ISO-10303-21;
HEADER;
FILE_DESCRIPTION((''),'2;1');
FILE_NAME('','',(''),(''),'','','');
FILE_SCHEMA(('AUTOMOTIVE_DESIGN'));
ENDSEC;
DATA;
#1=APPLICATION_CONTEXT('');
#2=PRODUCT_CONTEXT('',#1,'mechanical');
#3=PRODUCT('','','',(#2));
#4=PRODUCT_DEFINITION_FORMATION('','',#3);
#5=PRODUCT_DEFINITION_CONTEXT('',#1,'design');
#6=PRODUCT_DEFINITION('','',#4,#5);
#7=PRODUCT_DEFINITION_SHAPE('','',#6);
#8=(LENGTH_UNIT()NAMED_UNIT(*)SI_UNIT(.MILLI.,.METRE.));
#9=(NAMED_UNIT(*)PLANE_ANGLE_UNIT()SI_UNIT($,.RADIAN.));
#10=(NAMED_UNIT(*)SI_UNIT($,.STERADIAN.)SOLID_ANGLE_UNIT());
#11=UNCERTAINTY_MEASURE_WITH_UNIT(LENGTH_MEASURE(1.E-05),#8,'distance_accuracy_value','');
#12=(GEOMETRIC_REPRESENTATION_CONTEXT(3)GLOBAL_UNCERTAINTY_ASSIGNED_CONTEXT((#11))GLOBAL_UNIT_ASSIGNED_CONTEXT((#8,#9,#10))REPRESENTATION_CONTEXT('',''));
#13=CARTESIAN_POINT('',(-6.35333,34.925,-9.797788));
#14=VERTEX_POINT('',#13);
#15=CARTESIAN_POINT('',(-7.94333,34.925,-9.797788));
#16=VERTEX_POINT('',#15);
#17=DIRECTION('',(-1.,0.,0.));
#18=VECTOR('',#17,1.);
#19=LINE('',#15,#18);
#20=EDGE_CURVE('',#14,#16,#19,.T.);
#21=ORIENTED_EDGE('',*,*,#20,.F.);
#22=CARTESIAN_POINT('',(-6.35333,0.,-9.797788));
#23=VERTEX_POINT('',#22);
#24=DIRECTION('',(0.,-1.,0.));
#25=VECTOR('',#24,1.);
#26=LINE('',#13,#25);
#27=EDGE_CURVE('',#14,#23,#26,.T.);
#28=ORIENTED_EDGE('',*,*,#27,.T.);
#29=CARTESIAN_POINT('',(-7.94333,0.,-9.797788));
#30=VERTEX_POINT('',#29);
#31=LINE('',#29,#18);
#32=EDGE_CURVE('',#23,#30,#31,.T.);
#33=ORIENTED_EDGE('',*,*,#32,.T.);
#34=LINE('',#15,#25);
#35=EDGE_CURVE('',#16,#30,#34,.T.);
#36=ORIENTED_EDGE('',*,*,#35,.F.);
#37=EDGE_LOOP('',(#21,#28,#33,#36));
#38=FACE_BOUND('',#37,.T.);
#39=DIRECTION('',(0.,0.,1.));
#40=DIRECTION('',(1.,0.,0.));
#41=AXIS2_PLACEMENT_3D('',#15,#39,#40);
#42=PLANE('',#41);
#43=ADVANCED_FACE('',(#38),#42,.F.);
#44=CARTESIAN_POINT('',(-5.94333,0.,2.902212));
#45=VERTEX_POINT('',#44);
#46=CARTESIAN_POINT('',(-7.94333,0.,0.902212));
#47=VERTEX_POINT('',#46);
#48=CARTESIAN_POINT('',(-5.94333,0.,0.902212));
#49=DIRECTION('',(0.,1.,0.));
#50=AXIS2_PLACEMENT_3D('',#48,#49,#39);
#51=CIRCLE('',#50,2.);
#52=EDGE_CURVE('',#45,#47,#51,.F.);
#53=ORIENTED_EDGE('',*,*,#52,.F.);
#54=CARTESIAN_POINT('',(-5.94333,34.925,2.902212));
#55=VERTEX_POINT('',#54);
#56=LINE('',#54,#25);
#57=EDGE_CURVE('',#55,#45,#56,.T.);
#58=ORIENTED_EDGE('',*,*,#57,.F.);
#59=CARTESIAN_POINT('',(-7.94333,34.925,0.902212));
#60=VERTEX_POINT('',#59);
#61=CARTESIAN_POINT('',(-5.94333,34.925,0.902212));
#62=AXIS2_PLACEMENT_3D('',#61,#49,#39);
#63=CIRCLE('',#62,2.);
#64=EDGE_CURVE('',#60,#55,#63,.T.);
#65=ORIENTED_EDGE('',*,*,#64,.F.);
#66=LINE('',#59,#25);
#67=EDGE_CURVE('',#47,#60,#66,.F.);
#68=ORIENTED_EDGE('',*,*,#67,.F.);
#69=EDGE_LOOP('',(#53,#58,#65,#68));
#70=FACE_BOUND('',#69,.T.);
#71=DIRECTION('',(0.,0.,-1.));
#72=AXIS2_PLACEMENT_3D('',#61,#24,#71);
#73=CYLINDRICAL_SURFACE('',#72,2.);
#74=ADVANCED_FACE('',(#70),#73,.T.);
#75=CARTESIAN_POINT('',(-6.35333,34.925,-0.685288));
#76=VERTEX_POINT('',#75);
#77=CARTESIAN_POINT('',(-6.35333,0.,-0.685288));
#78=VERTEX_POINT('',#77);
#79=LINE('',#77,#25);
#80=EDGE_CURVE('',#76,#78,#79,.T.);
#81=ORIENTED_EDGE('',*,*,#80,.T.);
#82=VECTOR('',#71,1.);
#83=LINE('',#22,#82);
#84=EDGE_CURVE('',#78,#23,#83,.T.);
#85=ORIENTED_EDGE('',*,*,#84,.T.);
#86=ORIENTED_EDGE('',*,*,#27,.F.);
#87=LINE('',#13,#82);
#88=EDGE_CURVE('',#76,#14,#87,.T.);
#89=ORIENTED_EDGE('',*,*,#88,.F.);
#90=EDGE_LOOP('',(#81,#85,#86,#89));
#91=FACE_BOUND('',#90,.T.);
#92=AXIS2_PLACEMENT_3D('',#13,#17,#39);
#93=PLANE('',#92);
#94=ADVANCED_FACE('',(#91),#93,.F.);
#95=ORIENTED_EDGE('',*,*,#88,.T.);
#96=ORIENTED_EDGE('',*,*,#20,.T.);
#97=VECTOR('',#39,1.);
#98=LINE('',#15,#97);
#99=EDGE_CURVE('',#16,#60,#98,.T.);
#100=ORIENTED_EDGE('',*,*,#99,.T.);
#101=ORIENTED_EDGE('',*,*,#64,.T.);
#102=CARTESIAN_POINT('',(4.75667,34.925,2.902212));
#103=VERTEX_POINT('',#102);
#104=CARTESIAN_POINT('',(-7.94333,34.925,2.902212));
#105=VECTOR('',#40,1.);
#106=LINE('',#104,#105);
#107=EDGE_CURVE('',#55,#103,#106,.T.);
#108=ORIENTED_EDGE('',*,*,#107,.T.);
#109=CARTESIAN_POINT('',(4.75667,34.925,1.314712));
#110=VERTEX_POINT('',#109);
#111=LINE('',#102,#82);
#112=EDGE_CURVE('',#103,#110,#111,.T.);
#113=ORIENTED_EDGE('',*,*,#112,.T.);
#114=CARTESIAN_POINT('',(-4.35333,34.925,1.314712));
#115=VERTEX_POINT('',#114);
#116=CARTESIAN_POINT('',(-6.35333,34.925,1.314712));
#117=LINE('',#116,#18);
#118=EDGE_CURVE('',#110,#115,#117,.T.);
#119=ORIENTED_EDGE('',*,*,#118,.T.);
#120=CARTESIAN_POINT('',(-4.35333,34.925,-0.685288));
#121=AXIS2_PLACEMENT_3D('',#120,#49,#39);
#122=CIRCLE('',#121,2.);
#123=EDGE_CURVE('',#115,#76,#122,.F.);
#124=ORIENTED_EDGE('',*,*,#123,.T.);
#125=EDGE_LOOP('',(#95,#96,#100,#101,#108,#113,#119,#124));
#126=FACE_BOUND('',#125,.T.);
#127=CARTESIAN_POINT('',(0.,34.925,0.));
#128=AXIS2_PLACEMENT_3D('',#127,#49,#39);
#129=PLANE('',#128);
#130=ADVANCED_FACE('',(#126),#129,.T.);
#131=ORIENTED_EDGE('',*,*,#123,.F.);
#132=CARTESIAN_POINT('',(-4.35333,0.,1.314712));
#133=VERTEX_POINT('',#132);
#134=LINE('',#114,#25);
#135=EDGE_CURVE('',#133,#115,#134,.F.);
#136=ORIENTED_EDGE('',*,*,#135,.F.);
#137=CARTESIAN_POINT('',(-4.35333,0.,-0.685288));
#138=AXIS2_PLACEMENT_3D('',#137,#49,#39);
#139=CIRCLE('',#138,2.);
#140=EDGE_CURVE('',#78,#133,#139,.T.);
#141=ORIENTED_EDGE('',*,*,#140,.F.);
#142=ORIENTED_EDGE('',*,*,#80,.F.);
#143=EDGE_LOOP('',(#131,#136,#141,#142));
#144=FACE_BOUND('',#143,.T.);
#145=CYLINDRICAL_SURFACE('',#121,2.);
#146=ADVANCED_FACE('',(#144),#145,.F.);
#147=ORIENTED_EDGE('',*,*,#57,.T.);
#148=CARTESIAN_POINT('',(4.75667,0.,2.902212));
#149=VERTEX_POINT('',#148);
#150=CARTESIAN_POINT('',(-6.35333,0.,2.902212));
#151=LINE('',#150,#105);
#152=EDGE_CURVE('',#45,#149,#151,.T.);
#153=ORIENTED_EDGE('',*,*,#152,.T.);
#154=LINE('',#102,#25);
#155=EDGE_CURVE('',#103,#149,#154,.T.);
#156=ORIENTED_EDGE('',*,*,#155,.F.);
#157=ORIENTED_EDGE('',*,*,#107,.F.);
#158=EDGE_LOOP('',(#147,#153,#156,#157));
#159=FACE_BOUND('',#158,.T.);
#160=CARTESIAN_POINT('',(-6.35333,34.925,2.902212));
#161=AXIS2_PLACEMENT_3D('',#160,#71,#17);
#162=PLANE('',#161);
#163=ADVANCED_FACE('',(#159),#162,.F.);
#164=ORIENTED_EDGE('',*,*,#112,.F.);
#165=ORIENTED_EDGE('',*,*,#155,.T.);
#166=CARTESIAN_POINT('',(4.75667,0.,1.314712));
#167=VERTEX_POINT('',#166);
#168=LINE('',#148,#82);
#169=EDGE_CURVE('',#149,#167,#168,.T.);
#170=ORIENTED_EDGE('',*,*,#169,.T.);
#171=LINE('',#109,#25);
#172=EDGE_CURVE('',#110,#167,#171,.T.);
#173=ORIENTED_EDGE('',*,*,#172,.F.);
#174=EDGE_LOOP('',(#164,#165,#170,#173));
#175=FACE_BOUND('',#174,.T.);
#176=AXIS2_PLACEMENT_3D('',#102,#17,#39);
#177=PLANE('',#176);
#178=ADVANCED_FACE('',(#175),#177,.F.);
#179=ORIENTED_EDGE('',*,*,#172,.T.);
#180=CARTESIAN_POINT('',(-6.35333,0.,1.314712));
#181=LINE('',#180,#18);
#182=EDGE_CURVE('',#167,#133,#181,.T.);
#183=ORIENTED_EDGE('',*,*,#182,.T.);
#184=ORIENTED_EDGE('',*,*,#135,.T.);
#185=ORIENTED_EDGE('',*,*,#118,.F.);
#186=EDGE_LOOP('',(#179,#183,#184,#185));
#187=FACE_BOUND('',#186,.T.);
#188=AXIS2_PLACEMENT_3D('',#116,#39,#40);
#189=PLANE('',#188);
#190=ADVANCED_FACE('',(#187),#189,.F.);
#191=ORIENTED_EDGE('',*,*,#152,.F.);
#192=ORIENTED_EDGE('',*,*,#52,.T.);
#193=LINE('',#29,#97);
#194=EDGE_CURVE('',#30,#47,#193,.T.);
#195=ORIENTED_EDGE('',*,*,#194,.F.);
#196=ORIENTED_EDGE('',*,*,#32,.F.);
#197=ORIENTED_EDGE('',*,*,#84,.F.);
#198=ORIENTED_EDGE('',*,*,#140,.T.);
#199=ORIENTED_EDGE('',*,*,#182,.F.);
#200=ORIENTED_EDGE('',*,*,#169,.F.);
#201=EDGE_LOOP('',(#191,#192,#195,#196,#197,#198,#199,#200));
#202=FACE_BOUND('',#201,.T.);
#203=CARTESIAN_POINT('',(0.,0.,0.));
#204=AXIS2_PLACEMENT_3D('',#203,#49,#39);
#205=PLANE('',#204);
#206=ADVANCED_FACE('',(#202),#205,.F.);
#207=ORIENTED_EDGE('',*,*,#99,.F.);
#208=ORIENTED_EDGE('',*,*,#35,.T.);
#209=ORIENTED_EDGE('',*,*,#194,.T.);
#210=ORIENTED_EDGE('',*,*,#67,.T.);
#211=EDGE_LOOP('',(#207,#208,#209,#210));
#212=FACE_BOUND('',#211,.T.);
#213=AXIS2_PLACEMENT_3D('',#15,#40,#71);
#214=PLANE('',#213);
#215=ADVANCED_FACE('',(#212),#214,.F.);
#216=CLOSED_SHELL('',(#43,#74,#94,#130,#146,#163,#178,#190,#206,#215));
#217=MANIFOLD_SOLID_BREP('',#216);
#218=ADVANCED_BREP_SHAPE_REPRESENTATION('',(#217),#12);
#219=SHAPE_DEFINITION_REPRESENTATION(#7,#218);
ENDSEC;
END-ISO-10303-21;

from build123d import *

# Parameters (mm, degrees)
BOSS_EXTRUDE1_DEPTH = 34.925
FILLET1_R           = 2
FILLET2_R           = 2


with BuildPart() as part:
    # Sketch1 → Boss-Extrude1 (new body)
    with BuildSketch(Plane(origin=(0, 0, 0), x_dir=(1, 0, 0), z_dir=(0, 1, 0))):
        Polygon((-7.943330105, 9.7977882), (-6.353330105, 9.7977882), (-6.353330105, -1.3147118), (4.756669895, -1.3147118), (4.756669895, -2.9022118), (-6.353330105, -2.9022118), (-7.943330105, -2.9022118), align=None)
    extrude(amount=BOSS_EXTRUDE1_DEPTH)

    # Fillet1
    fillet1_edges = [part.edges().sort_by_distance(p)[0] for p in [
        (-6.353330105, 17.4625, 1.3147118),
    ]]
    fillet(fillet1_edges, radius=FILLET1_R)

    # Fillet2
    fillet2_edges = [part.edges().sort_by_distance(p)[0] for p in [
        (-7.943330105, 17.4625, 2.9022118),
    ]]
    fillet(fillet2_edges, radius=FILLET2_R)


solid = part.part
